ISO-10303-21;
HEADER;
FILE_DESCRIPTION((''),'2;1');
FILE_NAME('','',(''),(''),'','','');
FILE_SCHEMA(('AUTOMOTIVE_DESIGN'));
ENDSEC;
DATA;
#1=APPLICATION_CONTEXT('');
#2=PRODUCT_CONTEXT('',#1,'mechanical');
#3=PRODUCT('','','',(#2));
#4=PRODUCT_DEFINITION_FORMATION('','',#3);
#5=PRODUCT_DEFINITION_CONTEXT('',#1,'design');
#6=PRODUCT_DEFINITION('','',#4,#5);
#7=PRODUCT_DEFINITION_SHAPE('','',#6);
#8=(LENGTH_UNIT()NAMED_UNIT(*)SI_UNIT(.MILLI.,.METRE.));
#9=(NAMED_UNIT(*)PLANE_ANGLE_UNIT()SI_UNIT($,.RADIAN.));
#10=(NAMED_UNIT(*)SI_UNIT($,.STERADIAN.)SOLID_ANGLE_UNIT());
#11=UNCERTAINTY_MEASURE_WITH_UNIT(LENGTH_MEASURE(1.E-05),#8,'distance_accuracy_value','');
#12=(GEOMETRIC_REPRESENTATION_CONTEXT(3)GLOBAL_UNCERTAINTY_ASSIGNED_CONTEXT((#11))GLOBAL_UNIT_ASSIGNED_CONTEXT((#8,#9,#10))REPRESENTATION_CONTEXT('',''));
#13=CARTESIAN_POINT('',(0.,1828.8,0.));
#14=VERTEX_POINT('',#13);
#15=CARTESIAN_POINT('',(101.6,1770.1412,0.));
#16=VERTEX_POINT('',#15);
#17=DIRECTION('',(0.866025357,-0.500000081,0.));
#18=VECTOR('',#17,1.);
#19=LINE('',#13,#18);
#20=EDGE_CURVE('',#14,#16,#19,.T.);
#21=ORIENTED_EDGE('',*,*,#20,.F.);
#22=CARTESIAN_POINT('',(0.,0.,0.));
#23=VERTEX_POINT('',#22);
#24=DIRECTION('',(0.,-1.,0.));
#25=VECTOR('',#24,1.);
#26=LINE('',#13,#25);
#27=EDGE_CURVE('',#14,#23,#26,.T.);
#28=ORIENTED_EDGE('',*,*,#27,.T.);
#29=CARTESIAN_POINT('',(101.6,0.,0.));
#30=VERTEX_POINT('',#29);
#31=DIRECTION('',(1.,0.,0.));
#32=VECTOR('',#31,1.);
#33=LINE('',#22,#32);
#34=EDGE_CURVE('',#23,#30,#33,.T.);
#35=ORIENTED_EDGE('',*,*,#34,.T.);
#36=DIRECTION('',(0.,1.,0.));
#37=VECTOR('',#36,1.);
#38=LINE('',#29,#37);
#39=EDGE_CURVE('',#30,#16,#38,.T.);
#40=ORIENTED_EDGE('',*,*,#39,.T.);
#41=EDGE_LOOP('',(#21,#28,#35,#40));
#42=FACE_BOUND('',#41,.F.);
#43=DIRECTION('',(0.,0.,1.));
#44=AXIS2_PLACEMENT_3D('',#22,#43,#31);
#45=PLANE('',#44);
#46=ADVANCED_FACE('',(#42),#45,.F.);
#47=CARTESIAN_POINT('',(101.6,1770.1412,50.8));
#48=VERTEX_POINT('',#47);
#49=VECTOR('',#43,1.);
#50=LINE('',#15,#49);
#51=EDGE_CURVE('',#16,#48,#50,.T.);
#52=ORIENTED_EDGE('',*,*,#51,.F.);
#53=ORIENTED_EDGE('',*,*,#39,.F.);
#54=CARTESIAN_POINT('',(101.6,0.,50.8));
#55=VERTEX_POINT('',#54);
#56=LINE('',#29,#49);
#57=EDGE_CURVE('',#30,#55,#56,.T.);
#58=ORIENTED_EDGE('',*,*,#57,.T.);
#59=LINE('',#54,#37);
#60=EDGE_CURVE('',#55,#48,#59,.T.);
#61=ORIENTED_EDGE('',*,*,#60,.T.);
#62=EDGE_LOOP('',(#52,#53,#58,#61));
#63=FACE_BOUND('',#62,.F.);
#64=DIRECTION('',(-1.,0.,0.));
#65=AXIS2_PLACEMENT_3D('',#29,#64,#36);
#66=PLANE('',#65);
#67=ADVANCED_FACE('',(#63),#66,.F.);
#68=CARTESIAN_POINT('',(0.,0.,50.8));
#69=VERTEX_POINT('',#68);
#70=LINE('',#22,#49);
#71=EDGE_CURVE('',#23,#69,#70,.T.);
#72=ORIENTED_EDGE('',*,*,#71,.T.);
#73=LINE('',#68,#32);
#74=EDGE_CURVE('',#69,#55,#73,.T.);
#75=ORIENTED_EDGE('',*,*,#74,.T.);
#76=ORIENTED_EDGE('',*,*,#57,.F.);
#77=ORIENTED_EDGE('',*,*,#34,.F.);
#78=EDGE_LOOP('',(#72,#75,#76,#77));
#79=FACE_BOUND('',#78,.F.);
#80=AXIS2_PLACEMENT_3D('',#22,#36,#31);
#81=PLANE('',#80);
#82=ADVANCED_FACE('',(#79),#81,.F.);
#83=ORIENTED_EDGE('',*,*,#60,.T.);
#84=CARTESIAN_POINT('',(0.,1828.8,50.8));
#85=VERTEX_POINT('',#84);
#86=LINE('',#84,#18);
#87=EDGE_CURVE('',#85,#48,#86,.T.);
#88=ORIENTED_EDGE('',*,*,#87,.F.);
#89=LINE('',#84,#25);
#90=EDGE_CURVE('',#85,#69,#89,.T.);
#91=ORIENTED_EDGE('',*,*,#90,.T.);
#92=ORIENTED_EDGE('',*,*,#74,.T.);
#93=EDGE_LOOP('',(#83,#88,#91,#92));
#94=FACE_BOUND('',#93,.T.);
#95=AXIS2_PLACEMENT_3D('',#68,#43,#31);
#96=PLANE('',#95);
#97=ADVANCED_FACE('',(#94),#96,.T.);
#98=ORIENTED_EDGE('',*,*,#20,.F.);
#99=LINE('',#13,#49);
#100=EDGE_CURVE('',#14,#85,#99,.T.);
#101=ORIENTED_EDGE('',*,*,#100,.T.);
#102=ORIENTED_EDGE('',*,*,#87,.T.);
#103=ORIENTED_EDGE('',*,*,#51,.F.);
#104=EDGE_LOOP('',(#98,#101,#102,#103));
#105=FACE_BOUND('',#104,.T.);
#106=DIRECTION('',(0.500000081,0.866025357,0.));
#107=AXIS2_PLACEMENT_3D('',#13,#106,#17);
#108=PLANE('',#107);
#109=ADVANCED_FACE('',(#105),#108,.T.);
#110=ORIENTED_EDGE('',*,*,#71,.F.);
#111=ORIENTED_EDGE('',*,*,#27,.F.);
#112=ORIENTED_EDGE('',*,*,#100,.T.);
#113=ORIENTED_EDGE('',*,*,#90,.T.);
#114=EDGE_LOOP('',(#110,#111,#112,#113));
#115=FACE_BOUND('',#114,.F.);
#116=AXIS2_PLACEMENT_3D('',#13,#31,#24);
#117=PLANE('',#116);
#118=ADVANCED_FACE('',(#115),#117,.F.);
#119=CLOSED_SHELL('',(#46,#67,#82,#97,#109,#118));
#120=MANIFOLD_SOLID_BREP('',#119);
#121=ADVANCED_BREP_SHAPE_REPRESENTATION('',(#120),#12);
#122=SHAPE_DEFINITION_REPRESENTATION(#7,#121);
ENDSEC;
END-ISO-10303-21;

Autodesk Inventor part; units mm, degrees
ref_plane "YZ Plane" through (0, 0, 0) normal (1, 0, 0) x (0, 1, 0)
ref_plane "XZ Plane" through (0, 0, 0) normal (0, 1, 0) x (-1, 0, 0)
ref_plane "XY Plane" through (0, 0, 0) normal (0, 0, 1) x (1, 0, 0)
sketch "Sketch1" plane through (0, 0, 0) normal (0, 0, 1) x (1, 0, 0)
  line L0 (0, 0) -> (101.6, 0)
  line L1 (101.6, 0) -> (101.6, 1770.1412)
  line L2 (0, 1828.8) -> (0, 0)
  line L3 (0, 1828.8) -> (101.6, 1770.1412)
extrude "Extrusion1" add sketch "Sketch1" along normal blind 50.8
properties part number "2x4x72 (30 90)"
